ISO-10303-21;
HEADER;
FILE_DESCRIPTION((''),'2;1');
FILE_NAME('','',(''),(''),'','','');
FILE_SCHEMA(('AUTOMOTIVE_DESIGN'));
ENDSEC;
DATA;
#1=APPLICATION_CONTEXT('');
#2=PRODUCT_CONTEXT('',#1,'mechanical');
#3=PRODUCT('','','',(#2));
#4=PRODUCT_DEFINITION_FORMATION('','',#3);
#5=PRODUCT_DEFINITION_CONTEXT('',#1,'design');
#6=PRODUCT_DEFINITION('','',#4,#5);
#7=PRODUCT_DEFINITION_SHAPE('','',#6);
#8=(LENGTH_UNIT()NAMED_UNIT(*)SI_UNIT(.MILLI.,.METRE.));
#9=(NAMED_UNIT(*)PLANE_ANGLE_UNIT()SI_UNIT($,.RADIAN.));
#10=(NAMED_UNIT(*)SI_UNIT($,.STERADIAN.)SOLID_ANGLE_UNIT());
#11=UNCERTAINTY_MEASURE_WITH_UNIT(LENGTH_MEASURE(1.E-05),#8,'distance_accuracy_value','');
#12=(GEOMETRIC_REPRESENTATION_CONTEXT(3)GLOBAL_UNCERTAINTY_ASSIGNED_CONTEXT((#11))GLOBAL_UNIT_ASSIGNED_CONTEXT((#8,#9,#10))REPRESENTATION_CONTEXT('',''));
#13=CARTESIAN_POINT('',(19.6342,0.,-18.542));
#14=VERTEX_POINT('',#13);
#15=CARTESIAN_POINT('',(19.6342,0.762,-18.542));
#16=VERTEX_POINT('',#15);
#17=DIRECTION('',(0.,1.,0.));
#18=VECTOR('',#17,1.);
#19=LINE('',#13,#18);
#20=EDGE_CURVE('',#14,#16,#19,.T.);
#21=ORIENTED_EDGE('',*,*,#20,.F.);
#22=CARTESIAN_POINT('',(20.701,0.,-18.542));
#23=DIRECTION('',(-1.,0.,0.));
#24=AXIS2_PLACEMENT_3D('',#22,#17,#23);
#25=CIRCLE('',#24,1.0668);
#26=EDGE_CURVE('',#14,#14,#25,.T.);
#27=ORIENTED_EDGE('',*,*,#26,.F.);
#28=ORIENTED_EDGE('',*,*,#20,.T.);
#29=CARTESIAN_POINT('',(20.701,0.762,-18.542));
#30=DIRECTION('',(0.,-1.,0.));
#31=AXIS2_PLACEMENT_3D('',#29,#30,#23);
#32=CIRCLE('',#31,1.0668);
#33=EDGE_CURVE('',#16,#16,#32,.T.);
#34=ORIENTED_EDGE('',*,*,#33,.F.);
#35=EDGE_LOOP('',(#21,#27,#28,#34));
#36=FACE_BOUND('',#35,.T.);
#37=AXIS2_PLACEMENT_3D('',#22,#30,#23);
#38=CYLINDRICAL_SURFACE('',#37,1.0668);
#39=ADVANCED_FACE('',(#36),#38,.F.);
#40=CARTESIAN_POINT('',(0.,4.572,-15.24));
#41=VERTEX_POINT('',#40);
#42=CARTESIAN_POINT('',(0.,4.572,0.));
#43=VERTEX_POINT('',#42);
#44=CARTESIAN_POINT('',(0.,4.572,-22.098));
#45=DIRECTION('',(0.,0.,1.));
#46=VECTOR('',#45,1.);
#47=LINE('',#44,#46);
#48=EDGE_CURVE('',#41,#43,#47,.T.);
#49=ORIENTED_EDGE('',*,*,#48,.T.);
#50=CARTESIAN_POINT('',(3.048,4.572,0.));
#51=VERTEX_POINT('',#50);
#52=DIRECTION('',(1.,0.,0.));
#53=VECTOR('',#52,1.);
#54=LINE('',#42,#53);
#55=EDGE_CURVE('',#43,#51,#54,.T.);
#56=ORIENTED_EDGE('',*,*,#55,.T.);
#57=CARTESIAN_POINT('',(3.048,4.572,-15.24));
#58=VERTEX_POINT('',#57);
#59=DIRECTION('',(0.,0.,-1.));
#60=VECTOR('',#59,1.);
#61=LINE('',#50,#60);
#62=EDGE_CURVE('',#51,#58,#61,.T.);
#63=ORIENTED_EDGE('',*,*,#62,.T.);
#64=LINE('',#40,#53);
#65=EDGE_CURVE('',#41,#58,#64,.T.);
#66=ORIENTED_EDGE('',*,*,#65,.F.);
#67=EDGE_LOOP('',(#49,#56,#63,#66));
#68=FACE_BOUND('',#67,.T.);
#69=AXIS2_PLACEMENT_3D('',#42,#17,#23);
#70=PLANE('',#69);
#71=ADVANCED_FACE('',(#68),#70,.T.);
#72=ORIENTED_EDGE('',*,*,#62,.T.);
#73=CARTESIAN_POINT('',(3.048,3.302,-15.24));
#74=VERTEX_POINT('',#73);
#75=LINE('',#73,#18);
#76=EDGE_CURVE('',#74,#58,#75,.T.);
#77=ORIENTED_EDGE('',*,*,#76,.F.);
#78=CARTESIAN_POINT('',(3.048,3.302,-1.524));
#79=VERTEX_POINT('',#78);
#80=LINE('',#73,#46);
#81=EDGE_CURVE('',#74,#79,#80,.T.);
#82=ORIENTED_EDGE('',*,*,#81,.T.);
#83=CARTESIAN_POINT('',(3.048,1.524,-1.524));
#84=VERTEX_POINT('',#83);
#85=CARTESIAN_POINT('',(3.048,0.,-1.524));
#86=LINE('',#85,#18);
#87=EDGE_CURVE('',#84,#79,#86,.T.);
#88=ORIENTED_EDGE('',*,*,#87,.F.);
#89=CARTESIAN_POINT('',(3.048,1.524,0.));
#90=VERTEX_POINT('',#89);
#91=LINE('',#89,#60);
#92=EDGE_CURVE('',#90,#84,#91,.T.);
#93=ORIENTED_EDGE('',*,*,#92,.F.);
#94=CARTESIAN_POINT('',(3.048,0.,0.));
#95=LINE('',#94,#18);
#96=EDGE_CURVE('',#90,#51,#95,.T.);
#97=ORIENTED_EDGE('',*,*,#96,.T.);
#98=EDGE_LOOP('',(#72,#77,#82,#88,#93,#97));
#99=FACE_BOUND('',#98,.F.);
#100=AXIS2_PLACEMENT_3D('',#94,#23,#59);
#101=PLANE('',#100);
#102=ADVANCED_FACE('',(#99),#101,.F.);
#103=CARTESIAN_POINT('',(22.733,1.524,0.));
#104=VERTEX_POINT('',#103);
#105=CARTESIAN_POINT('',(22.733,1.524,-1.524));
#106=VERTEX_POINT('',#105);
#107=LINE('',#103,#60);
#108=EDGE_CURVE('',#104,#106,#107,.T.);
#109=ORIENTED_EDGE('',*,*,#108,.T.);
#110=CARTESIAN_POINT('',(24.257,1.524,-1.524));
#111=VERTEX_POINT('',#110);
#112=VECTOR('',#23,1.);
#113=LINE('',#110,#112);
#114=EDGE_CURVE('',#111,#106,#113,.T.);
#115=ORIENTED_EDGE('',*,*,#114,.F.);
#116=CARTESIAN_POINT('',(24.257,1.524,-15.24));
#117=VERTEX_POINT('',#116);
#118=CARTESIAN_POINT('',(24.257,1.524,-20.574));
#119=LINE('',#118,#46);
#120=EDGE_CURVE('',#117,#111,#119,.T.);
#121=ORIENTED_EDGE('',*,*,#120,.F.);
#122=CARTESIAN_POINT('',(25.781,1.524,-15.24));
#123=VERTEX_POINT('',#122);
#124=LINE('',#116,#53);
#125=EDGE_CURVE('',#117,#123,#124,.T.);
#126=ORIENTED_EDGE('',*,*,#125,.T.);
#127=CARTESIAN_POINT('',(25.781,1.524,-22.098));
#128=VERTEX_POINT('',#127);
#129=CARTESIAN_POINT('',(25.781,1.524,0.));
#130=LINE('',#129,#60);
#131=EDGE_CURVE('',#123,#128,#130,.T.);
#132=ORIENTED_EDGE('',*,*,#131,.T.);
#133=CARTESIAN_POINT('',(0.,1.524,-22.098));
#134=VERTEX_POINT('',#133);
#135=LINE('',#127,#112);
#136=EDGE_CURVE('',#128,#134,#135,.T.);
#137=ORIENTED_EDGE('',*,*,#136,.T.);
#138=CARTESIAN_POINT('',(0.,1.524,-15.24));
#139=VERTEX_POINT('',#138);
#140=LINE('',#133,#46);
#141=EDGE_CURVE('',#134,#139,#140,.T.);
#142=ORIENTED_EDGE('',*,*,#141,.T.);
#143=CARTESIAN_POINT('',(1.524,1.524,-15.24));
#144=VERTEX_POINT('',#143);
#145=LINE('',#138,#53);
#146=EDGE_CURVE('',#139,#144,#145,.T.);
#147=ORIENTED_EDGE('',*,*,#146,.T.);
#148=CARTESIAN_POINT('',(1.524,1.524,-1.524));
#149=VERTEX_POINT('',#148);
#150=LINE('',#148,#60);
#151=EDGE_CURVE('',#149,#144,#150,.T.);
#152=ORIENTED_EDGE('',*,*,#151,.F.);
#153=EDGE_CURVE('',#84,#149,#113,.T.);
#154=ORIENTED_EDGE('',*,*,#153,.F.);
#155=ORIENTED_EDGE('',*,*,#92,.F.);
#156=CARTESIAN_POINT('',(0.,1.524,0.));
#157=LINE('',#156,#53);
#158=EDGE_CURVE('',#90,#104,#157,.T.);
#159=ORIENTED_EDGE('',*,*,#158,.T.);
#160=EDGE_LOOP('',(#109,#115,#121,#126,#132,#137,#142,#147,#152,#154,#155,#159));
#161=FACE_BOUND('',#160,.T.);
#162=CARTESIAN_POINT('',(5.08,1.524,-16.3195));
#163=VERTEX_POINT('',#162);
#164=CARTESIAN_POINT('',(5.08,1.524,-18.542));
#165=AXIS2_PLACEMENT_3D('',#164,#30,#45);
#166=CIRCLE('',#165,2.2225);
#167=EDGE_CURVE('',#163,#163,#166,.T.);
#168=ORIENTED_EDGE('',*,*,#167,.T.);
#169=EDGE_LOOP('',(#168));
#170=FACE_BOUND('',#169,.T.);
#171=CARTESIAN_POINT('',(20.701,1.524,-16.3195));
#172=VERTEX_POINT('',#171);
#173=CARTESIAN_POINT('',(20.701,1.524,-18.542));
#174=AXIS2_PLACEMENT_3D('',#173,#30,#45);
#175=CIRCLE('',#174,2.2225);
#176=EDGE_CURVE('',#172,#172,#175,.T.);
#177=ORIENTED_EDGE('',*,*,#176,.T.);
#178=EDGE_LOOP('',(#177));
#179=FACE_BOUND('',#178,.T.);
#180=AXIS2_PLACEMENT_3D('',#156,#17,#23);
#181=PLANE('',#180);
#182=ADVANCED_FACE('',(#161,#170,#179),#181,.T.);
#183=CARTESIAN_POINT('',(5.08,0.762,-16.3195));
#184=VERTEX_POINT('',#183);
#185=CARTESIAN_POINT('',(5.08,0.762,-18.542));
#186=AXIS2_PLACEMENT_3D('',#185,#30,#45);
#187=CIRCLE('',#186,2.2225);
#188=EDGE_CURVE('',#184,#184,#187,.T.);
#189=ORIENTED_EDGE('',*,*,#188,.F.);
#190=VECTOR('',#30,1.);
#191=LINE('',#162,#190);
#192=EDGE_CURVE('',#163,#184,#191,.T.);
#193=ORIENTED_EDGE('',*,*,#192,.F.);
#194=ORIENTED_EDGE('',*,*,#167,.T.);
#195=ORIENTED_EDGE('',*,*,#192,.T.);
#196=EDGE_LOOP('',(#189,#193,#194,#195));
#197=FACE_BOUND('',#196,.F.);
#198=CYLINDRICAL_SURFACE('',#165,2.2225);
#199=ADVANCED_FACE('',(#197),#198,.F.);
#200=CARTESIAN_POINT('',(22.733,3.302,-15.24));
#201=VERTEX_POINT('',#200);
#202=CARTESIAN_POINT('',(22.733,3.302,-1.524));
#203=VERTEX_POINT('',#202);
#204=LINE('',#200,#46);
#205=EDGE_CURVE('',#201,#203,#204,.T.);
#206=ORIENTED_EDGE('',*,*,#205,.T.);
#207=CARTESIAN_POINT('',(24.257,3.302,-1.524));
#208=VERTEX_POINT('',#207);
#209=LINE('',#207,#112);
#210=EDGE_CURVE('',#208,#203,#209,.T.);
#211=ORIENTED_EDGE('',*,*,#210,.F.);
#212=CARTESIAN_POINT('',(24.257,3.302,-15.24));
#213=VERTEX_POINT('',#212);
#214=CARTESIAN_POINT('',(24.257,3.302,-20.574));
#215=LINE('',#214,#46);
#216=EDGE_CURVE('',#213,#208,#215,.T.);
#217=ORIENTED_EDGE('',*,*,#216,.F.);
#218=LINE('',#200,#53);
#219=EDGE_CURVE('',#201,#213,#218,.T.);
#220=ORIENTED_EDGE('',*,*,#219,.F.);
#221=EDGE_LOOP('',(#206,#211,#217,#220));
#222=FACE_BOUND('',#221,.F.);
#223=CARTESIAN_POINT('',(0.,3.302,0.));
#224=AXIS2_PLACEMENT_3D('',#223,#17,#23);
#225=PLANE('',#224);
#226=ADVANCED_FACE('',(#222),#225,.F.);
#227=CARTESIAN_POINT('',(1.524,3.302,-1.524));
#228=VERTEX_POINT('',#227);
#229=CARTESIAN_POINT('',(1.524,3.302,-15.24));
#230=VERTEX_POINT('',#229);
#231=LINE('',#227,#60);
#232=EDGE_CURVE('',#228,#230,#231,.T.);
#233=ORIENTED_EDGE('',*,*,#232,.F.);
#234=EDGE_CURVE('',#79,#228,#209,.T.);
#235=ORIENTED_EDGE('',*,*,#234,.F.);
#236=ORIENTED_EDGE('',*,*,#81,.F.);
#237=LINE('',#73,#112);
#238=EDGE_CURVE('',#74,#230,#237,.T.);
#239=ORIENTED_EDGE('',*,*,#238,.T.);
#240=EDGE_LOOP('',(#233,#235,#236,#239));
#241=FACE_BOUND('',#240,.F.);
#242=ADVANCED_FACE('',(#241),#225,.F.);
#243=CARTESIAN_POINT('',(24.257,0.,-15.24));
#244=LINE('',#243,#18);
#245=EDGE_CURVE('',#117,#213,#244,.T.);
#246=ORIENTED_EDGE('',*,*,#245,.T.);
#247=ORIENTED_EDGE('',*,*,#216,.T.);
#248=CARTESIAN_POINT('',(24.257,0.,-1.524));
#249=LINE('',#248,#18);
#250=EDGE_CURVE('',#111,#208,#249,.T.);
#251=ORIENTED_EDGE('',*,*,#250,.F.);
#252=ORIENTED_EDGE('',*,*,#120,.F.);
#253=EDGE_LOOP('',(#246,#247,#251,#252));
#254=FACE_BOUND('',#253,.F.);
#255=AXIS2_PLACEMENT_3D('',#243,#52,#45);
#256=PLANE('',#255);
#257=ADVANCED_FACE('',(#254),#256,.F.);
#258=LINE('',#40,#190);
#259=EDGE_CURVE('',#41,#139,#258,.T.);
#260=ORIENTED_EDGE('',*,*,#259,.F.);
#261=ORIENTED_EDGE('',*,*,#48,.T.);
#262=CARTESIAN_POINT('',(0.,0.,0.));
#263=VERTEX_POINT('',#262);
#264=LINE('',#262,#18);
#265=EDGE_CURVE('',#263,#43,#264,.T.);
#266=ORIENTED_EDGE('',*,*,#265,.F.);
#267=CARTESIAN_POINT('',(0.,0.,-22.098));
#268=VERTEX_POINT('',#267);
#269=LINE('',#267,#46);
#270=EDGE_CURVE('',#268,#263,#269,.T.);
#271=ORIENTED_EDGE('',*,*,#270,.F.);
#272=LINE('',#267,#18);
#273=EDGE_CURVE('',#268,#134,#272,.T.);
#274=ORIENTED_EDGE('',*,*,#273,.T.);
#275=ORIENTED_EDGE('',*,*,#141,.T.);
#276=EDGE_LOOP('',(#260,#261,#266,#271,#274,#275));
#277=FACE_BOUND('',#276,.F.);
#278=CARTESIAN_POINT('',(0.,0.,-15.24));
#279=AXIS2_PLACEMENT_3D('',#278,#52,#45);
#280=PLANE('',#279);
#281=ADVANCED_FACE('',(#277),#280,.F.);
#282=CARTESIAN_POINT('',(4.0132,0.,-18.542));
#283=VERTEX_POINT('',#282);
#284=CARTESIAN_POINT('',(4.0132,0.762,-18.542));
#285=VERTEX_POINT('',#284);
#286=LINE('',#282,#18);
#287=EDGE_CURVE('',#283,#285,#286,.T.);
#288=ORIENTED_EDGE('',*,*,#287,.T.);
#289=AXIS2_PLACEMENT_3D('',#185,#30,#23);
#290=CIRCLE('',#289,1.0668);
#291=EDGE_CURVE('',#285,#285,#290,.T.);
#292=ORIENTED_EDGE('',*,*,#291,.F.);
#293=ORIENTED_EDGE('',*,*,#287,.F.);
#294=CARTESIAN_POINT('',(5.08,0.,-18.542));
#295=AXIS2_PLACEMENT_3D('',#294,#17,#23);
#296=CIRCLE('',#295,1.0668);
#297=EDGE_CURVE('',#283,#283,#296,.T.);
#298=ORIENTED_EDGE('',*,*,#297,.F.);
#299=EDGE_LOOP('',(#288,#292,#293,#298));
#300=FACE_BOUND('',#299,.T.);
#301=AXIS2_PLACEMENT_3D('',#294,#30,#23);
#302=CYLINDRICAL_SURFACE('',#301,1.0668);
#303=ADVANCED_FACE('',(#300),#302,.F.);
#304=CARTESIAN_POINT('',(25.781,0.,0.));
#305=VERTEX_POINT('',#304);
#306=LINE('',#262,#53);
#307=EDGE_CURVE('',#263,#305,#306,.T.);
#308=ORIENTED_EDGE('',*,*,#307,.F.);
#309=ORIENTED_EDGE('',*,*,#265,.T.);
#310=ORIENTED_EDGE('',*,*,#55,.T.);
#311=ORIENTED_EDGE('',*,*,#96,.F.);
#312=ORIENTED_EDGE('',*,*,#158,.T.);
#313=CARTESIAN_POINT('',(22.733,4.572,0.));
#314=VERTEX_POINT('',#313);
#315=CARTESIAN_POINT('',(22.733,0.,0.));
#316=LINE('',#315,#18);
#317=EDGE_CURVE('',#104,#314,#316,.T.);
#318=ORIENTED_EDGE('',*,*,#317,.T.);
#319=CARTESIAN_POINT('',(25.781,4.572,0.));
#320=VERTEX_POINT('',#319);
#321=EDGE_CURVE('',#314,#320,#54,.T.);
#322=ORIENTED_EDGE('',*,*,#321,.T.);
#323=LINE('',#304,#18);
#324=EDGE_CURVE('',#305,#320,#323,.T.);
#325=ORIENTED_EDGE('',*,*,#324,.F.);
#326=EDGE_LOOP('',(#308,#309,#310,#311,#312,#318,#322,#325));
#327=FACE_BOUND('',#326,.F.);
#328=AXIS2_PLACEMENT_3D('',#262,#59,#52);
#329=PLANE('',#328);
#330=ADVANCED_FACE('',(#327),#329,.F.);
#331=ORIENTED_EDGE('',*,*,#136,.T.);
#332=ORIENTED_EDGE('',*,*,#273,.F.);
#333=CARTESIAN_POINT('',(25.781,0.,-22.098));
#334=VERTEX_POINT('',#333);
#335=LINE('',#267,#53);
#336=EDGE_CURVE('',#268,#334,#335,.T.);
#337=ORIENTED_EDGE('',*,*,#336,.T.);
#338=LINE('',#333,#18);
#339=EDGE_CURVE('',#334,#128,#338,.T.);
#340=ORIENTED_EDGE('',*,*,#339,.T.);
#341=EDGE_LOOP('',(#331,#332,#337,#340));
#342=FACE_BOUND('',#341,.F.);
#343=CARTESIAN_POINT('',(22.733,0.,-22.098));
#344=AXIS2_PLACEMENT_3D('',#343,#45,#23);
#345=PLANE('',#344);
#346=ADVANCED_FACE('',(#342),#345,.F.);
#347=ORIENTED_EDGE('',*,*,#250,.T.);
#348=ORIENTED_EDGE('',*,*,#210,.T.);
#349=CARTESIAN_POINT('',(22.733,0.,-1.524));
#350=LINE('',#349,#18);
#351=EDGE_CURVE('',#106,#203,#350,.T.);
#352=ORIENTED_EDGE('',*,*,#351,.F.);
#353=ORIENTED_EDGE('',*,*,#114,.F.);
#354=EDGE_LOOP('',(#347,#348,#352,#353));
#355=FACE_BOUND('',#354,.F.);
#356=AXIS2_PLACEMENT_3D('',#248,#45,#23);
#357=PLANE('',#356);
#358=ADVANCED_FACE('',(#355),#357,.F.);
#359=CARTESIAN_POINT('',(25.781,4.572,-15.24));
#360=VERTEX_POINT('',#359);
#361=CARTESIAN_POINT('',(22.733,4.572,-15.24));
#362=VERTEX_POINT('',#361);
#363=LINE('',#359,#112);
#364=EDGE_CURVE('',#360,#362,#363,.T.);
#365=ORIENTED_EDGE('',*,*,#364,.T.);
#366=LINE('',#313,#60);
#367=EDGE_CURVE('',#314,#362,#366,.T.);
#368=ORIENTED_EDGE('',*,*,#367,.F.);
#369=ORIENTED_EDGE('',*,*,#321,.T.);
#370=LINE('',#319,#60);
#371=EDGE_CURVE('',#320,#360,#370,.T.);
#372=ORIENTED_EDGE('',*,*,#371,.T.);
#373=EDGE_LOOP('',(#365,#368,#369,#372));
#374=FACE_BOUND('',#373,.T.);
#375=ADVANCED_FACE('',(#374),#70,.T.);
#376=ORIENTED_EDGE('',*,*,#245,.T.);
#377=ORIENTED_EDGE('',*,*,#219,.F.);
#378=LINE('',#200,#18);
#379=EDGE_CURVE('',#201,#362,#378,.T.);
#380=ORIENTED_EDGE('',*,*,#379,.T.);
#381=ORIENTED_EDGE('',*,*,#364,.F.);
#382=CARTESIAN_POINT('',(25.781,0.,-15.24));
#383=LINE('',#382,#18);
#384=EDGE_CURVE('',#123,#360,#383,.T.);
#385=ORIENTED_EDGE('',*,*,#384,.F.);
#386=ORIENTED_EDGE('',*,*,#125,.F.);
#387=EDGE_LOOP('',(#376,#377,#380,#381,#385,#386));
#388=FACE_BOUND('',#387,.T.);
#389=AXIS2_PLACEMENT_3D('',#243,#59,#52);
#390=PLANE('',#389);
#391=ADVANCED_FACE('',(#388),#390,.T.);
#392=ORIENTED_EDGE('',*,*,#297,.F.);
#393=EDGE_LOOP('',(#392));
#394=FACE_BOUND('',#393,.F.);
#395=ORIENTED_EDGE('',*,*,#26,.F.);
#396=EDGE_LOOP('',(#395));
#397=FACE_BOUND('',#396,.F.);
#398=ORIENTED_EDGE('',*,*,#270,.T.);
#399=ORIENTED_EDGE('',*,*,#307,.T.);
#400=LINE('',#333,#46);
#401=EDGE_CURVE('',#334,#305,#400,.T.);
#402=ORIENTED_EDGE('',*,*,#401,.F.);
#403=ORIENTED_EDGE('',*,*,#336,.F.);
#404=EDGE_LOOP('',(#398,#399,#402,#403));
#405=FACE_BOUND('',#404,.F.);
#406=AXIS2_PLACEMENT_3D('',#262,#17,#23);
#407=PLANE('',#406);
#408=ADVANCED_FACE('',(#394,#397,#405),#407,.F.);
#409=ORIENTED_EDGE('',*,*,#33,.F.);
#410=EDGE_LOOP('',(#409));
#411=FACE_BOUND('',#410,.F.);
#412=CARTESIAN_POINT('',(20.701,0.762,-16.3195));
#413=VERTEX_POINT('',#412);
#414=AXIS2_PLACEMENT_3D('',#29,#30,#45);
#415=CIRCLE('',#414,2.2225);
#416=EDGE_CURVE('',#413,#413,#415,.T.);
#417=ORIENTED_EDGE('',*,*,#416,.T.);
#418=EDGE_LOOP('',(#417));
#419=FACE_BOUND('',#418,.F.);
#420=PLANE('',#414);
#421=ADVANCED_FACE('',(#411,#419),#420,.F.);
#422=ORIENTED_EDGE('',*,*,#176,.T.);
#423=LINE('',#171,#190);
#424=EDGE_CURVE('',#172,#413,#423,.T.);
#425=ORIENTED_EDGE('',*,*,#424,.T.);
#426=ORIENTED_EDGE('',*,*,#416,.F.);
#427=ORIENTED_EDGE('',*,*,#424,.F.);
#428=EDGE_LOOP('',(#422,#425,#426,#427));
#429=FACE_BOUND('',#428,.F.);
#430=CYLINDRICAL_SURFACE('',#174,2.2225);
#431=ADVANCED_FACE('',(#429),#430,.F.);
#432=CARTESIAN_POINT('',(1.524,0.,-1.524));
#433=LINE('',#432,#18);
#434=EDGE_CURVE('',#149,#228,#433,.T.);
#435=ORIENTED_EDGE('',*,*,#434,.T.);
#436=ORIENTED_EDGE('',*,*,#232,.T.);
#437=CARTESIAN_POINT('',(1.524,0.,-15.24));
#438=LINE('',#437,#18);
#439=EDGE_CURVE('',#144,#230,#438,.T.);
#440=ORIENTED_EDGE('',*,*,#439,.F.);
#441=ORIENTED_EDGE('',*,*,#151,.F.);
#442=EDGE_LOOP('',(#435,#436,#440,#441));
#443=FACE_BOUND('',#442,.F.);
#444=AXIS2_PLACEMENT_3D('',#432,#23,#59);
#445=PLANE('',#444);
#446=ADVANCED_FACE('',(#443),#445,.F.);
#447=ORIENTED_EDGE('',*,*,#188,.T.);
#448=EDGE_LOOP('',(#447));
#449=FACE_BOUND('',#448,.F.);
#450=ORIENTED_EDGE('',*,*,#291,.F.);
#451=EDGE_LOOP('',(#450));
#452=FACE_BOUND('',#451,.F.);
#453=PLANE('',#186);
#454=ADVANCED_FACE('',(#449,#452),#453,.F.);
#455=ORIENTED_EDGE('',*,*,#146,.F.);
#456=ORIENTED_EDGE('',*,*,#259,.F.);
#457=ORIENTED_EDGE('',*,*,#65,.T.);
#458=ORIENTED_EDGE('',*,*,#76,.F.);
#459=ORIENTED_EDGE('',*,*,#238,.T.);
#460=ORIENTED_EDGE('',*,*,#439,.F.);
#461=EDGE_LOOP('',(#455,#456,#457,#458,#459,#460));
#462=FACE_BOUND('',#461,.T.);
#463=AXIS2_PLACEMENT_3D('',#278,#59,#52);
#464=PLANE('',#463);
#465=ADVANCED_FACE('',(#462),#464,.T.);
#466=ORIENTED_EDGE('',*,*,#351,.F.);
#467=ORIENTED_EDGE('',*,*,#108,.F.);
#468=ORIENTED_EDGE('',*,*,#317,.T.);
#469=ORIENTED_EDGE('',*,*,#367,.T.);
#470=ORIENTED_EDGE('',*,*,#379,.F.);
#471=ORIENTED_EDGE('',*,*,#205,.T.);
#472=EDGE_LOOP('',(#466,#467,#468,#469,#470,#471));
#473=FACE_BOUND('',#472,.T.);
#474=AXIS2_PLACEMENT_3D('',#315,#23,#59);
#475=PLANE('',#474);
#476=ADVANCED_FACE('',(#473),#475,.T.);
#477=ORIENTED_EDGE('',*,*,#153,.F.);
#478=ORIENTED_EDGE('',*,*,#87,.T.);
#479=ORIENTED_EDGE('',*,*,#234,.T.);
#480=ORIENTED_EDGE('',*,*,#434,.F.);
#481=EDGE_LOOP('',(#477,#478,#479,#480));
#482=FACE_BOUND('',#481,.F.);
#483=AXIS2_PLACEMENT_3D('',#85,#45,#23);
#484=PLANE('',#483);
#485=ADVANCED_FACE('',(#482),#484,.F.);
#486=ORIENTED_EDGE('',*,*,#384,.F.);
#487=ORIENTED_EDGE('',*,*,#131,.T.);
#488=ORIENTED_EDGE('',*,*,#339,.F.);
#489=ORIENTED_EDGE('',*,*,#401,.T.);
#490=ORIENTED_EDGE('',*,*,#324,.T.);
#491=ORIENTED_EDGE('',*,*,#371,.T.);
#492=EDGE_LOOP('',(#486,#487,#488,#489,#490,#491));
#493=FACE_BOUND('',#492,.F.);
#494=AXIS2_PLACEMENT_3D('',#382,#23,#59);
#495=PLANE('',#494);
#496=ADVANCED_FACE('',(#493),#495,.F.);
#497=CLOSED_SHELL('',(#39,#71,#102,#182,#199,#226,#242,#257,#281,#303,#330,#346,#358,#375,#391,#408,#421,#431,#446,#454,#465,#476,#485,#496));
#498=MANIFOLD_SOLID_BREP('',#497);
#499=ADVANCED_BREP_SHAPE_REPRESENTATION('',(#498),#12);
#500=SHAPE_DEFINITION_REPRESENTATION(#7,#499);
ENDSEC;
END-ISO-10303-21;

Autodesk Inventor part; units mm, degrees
sketch "Sketch1" plane through (0, 0, 0) normal (0, 1, 0) x (-1, 0, 0)
  line L0 (0, 0) -> (-25.781, 0)
  line L1 (-25.781, 0) -> (-25.781, -22.098)
  line L2 (-25.781, -22.098) -> (0, -22.098)
  line L3 (0, -22.098) -> (0, 0)
  line L4 (-1.524, -20.574) -> (-24.257, -20.574)
  line L5 (-24.257, -20.574) -> (-24.257, -1.524)
  line L6 (-24.257, -1.524) -> (-1.524, -1.524)
  line L7 (-1.524, -1.524) -> (-1.524, -20.574)
  line L8 (-3.048, 0) -> (-3.048, -1.524)
  line L9 (-22.733, 0) -> (-22.733, -1.524)
  line L10 (-3.048, -20.574) -> (-3.048, -22.098)
  line L11 (-3.048, -1.524) -> (-3.048, -20.574)
  line L12 (-22.733, -1.524) -> (-22.733, -20.574)
  line L13 (-22.733, -20.574) -> (-22.733, -22.098)
  line L14 (0, -15.24) -> (-1.524, -15.24)
  line L15 (-24.257, -15.24) -> (-25.781, -15.24)
  line L16 (-1.524, -15.24) -> (-3.048, -15.24)
  line L17 (-24.257, -15.24) -> (-22.733, -15.24)
  circle A0 centre (-5.08, -18.542) radius 1.0668
  circle A1 centre (-20.701, -2.032) radius 1.0668
  circle A2 centre (-20.701, -18.542) radius 1.0668
  circle A3 centre (-5.08, -2.032) radius 1.0668
  dimension "d2" = 1.524
  dimension "d3" = 19.05
  dimension "d4" = 22.733
  dimension "d5" = 1.524
  dimension "d6" = 1.524
  dimension "d10" = 6.858
  dimension "d11" = 6.858
  dimension "d19" = 2.1336
  dimension "d22" = 2.032
  dimension "d23" = 2.032
  dimension "d24" = 2.032
  dimension "d25" = 16.51
  dimension "d26" = 16.51
extrude "Extrusion2" add sketch "Sketch1" along normal blind 3.302 contours L3 L14 L7 L6 L8 L0 | L9 L6 L5 L15 L1 L0
ref_plane "Work Plane1" through (0, 3.302, 0) normal (0, 1, 0) x (1, 0, 0)
ref_plane "Work Plane2" through (0, 4.572, 0) normal (0, 1, 0) x (1, 0, 0)
extrude "Extrusion3" add sketch "Sketch1" along normal up to surface (1.27 mm away) from surface at 3.302 contours L3 L14 L7 L6 L8 L0 | L9 L6 L5 L15 L1 L0 | L6 L7 L16 L11 | L12 L17 L5 L6
ref_plane "Work Plane3" through (0, 1.524, 0) normal (0, 1, 0) x (1, 0, 0)
sketch "Sketch2" plane through (0, 1.524, 0) normal (0, 1, 0) x (1, 0, 0)
  circle A0 centre (5.08, 18.542) radius 1.0668 projected
  circle A1 centre (20.701, 18.542) radius 1.0668
  circle A2 centre (20.701, 2.032) radius 1.0668
  circle A3 centre (5.08, 2.032) radius 1.0668 projected
  circle A4 centre (20.701, 2.032) radius 1.0668 projected
  circle A5 centre (20.701, 18.542) radius 1.0668 projected
  point P0 (0, 0)
extrude "Extrusion7" add sketch "Sketch1" along normal blind 1.524 contours L8 L6 A3 A1 L9 L0 | L3 L2 L10 L4 L7 L14 | L11 L4 L12 L6 A1 A3 | L6 L7 L16 L11 | L7 L4 L11 L16 | L12 L17 L5 L6 | A3 L6 | L6 A3 | L2 L13 L4 L10 | L15 L5 L4 L13 L2 L1 | A1 L6 | L6 A1 | L12 L4 L5 L17
hole "Hole2" at (20.701, 1.524, -18.542) at (5.08, 1.524, -18.542) direction (0, -1, 0) diameter 0.4763 end through all counterbore diameter 4.445 counterbore depth 0.762
properties part number "ShockSensorMount" material "Glass"
